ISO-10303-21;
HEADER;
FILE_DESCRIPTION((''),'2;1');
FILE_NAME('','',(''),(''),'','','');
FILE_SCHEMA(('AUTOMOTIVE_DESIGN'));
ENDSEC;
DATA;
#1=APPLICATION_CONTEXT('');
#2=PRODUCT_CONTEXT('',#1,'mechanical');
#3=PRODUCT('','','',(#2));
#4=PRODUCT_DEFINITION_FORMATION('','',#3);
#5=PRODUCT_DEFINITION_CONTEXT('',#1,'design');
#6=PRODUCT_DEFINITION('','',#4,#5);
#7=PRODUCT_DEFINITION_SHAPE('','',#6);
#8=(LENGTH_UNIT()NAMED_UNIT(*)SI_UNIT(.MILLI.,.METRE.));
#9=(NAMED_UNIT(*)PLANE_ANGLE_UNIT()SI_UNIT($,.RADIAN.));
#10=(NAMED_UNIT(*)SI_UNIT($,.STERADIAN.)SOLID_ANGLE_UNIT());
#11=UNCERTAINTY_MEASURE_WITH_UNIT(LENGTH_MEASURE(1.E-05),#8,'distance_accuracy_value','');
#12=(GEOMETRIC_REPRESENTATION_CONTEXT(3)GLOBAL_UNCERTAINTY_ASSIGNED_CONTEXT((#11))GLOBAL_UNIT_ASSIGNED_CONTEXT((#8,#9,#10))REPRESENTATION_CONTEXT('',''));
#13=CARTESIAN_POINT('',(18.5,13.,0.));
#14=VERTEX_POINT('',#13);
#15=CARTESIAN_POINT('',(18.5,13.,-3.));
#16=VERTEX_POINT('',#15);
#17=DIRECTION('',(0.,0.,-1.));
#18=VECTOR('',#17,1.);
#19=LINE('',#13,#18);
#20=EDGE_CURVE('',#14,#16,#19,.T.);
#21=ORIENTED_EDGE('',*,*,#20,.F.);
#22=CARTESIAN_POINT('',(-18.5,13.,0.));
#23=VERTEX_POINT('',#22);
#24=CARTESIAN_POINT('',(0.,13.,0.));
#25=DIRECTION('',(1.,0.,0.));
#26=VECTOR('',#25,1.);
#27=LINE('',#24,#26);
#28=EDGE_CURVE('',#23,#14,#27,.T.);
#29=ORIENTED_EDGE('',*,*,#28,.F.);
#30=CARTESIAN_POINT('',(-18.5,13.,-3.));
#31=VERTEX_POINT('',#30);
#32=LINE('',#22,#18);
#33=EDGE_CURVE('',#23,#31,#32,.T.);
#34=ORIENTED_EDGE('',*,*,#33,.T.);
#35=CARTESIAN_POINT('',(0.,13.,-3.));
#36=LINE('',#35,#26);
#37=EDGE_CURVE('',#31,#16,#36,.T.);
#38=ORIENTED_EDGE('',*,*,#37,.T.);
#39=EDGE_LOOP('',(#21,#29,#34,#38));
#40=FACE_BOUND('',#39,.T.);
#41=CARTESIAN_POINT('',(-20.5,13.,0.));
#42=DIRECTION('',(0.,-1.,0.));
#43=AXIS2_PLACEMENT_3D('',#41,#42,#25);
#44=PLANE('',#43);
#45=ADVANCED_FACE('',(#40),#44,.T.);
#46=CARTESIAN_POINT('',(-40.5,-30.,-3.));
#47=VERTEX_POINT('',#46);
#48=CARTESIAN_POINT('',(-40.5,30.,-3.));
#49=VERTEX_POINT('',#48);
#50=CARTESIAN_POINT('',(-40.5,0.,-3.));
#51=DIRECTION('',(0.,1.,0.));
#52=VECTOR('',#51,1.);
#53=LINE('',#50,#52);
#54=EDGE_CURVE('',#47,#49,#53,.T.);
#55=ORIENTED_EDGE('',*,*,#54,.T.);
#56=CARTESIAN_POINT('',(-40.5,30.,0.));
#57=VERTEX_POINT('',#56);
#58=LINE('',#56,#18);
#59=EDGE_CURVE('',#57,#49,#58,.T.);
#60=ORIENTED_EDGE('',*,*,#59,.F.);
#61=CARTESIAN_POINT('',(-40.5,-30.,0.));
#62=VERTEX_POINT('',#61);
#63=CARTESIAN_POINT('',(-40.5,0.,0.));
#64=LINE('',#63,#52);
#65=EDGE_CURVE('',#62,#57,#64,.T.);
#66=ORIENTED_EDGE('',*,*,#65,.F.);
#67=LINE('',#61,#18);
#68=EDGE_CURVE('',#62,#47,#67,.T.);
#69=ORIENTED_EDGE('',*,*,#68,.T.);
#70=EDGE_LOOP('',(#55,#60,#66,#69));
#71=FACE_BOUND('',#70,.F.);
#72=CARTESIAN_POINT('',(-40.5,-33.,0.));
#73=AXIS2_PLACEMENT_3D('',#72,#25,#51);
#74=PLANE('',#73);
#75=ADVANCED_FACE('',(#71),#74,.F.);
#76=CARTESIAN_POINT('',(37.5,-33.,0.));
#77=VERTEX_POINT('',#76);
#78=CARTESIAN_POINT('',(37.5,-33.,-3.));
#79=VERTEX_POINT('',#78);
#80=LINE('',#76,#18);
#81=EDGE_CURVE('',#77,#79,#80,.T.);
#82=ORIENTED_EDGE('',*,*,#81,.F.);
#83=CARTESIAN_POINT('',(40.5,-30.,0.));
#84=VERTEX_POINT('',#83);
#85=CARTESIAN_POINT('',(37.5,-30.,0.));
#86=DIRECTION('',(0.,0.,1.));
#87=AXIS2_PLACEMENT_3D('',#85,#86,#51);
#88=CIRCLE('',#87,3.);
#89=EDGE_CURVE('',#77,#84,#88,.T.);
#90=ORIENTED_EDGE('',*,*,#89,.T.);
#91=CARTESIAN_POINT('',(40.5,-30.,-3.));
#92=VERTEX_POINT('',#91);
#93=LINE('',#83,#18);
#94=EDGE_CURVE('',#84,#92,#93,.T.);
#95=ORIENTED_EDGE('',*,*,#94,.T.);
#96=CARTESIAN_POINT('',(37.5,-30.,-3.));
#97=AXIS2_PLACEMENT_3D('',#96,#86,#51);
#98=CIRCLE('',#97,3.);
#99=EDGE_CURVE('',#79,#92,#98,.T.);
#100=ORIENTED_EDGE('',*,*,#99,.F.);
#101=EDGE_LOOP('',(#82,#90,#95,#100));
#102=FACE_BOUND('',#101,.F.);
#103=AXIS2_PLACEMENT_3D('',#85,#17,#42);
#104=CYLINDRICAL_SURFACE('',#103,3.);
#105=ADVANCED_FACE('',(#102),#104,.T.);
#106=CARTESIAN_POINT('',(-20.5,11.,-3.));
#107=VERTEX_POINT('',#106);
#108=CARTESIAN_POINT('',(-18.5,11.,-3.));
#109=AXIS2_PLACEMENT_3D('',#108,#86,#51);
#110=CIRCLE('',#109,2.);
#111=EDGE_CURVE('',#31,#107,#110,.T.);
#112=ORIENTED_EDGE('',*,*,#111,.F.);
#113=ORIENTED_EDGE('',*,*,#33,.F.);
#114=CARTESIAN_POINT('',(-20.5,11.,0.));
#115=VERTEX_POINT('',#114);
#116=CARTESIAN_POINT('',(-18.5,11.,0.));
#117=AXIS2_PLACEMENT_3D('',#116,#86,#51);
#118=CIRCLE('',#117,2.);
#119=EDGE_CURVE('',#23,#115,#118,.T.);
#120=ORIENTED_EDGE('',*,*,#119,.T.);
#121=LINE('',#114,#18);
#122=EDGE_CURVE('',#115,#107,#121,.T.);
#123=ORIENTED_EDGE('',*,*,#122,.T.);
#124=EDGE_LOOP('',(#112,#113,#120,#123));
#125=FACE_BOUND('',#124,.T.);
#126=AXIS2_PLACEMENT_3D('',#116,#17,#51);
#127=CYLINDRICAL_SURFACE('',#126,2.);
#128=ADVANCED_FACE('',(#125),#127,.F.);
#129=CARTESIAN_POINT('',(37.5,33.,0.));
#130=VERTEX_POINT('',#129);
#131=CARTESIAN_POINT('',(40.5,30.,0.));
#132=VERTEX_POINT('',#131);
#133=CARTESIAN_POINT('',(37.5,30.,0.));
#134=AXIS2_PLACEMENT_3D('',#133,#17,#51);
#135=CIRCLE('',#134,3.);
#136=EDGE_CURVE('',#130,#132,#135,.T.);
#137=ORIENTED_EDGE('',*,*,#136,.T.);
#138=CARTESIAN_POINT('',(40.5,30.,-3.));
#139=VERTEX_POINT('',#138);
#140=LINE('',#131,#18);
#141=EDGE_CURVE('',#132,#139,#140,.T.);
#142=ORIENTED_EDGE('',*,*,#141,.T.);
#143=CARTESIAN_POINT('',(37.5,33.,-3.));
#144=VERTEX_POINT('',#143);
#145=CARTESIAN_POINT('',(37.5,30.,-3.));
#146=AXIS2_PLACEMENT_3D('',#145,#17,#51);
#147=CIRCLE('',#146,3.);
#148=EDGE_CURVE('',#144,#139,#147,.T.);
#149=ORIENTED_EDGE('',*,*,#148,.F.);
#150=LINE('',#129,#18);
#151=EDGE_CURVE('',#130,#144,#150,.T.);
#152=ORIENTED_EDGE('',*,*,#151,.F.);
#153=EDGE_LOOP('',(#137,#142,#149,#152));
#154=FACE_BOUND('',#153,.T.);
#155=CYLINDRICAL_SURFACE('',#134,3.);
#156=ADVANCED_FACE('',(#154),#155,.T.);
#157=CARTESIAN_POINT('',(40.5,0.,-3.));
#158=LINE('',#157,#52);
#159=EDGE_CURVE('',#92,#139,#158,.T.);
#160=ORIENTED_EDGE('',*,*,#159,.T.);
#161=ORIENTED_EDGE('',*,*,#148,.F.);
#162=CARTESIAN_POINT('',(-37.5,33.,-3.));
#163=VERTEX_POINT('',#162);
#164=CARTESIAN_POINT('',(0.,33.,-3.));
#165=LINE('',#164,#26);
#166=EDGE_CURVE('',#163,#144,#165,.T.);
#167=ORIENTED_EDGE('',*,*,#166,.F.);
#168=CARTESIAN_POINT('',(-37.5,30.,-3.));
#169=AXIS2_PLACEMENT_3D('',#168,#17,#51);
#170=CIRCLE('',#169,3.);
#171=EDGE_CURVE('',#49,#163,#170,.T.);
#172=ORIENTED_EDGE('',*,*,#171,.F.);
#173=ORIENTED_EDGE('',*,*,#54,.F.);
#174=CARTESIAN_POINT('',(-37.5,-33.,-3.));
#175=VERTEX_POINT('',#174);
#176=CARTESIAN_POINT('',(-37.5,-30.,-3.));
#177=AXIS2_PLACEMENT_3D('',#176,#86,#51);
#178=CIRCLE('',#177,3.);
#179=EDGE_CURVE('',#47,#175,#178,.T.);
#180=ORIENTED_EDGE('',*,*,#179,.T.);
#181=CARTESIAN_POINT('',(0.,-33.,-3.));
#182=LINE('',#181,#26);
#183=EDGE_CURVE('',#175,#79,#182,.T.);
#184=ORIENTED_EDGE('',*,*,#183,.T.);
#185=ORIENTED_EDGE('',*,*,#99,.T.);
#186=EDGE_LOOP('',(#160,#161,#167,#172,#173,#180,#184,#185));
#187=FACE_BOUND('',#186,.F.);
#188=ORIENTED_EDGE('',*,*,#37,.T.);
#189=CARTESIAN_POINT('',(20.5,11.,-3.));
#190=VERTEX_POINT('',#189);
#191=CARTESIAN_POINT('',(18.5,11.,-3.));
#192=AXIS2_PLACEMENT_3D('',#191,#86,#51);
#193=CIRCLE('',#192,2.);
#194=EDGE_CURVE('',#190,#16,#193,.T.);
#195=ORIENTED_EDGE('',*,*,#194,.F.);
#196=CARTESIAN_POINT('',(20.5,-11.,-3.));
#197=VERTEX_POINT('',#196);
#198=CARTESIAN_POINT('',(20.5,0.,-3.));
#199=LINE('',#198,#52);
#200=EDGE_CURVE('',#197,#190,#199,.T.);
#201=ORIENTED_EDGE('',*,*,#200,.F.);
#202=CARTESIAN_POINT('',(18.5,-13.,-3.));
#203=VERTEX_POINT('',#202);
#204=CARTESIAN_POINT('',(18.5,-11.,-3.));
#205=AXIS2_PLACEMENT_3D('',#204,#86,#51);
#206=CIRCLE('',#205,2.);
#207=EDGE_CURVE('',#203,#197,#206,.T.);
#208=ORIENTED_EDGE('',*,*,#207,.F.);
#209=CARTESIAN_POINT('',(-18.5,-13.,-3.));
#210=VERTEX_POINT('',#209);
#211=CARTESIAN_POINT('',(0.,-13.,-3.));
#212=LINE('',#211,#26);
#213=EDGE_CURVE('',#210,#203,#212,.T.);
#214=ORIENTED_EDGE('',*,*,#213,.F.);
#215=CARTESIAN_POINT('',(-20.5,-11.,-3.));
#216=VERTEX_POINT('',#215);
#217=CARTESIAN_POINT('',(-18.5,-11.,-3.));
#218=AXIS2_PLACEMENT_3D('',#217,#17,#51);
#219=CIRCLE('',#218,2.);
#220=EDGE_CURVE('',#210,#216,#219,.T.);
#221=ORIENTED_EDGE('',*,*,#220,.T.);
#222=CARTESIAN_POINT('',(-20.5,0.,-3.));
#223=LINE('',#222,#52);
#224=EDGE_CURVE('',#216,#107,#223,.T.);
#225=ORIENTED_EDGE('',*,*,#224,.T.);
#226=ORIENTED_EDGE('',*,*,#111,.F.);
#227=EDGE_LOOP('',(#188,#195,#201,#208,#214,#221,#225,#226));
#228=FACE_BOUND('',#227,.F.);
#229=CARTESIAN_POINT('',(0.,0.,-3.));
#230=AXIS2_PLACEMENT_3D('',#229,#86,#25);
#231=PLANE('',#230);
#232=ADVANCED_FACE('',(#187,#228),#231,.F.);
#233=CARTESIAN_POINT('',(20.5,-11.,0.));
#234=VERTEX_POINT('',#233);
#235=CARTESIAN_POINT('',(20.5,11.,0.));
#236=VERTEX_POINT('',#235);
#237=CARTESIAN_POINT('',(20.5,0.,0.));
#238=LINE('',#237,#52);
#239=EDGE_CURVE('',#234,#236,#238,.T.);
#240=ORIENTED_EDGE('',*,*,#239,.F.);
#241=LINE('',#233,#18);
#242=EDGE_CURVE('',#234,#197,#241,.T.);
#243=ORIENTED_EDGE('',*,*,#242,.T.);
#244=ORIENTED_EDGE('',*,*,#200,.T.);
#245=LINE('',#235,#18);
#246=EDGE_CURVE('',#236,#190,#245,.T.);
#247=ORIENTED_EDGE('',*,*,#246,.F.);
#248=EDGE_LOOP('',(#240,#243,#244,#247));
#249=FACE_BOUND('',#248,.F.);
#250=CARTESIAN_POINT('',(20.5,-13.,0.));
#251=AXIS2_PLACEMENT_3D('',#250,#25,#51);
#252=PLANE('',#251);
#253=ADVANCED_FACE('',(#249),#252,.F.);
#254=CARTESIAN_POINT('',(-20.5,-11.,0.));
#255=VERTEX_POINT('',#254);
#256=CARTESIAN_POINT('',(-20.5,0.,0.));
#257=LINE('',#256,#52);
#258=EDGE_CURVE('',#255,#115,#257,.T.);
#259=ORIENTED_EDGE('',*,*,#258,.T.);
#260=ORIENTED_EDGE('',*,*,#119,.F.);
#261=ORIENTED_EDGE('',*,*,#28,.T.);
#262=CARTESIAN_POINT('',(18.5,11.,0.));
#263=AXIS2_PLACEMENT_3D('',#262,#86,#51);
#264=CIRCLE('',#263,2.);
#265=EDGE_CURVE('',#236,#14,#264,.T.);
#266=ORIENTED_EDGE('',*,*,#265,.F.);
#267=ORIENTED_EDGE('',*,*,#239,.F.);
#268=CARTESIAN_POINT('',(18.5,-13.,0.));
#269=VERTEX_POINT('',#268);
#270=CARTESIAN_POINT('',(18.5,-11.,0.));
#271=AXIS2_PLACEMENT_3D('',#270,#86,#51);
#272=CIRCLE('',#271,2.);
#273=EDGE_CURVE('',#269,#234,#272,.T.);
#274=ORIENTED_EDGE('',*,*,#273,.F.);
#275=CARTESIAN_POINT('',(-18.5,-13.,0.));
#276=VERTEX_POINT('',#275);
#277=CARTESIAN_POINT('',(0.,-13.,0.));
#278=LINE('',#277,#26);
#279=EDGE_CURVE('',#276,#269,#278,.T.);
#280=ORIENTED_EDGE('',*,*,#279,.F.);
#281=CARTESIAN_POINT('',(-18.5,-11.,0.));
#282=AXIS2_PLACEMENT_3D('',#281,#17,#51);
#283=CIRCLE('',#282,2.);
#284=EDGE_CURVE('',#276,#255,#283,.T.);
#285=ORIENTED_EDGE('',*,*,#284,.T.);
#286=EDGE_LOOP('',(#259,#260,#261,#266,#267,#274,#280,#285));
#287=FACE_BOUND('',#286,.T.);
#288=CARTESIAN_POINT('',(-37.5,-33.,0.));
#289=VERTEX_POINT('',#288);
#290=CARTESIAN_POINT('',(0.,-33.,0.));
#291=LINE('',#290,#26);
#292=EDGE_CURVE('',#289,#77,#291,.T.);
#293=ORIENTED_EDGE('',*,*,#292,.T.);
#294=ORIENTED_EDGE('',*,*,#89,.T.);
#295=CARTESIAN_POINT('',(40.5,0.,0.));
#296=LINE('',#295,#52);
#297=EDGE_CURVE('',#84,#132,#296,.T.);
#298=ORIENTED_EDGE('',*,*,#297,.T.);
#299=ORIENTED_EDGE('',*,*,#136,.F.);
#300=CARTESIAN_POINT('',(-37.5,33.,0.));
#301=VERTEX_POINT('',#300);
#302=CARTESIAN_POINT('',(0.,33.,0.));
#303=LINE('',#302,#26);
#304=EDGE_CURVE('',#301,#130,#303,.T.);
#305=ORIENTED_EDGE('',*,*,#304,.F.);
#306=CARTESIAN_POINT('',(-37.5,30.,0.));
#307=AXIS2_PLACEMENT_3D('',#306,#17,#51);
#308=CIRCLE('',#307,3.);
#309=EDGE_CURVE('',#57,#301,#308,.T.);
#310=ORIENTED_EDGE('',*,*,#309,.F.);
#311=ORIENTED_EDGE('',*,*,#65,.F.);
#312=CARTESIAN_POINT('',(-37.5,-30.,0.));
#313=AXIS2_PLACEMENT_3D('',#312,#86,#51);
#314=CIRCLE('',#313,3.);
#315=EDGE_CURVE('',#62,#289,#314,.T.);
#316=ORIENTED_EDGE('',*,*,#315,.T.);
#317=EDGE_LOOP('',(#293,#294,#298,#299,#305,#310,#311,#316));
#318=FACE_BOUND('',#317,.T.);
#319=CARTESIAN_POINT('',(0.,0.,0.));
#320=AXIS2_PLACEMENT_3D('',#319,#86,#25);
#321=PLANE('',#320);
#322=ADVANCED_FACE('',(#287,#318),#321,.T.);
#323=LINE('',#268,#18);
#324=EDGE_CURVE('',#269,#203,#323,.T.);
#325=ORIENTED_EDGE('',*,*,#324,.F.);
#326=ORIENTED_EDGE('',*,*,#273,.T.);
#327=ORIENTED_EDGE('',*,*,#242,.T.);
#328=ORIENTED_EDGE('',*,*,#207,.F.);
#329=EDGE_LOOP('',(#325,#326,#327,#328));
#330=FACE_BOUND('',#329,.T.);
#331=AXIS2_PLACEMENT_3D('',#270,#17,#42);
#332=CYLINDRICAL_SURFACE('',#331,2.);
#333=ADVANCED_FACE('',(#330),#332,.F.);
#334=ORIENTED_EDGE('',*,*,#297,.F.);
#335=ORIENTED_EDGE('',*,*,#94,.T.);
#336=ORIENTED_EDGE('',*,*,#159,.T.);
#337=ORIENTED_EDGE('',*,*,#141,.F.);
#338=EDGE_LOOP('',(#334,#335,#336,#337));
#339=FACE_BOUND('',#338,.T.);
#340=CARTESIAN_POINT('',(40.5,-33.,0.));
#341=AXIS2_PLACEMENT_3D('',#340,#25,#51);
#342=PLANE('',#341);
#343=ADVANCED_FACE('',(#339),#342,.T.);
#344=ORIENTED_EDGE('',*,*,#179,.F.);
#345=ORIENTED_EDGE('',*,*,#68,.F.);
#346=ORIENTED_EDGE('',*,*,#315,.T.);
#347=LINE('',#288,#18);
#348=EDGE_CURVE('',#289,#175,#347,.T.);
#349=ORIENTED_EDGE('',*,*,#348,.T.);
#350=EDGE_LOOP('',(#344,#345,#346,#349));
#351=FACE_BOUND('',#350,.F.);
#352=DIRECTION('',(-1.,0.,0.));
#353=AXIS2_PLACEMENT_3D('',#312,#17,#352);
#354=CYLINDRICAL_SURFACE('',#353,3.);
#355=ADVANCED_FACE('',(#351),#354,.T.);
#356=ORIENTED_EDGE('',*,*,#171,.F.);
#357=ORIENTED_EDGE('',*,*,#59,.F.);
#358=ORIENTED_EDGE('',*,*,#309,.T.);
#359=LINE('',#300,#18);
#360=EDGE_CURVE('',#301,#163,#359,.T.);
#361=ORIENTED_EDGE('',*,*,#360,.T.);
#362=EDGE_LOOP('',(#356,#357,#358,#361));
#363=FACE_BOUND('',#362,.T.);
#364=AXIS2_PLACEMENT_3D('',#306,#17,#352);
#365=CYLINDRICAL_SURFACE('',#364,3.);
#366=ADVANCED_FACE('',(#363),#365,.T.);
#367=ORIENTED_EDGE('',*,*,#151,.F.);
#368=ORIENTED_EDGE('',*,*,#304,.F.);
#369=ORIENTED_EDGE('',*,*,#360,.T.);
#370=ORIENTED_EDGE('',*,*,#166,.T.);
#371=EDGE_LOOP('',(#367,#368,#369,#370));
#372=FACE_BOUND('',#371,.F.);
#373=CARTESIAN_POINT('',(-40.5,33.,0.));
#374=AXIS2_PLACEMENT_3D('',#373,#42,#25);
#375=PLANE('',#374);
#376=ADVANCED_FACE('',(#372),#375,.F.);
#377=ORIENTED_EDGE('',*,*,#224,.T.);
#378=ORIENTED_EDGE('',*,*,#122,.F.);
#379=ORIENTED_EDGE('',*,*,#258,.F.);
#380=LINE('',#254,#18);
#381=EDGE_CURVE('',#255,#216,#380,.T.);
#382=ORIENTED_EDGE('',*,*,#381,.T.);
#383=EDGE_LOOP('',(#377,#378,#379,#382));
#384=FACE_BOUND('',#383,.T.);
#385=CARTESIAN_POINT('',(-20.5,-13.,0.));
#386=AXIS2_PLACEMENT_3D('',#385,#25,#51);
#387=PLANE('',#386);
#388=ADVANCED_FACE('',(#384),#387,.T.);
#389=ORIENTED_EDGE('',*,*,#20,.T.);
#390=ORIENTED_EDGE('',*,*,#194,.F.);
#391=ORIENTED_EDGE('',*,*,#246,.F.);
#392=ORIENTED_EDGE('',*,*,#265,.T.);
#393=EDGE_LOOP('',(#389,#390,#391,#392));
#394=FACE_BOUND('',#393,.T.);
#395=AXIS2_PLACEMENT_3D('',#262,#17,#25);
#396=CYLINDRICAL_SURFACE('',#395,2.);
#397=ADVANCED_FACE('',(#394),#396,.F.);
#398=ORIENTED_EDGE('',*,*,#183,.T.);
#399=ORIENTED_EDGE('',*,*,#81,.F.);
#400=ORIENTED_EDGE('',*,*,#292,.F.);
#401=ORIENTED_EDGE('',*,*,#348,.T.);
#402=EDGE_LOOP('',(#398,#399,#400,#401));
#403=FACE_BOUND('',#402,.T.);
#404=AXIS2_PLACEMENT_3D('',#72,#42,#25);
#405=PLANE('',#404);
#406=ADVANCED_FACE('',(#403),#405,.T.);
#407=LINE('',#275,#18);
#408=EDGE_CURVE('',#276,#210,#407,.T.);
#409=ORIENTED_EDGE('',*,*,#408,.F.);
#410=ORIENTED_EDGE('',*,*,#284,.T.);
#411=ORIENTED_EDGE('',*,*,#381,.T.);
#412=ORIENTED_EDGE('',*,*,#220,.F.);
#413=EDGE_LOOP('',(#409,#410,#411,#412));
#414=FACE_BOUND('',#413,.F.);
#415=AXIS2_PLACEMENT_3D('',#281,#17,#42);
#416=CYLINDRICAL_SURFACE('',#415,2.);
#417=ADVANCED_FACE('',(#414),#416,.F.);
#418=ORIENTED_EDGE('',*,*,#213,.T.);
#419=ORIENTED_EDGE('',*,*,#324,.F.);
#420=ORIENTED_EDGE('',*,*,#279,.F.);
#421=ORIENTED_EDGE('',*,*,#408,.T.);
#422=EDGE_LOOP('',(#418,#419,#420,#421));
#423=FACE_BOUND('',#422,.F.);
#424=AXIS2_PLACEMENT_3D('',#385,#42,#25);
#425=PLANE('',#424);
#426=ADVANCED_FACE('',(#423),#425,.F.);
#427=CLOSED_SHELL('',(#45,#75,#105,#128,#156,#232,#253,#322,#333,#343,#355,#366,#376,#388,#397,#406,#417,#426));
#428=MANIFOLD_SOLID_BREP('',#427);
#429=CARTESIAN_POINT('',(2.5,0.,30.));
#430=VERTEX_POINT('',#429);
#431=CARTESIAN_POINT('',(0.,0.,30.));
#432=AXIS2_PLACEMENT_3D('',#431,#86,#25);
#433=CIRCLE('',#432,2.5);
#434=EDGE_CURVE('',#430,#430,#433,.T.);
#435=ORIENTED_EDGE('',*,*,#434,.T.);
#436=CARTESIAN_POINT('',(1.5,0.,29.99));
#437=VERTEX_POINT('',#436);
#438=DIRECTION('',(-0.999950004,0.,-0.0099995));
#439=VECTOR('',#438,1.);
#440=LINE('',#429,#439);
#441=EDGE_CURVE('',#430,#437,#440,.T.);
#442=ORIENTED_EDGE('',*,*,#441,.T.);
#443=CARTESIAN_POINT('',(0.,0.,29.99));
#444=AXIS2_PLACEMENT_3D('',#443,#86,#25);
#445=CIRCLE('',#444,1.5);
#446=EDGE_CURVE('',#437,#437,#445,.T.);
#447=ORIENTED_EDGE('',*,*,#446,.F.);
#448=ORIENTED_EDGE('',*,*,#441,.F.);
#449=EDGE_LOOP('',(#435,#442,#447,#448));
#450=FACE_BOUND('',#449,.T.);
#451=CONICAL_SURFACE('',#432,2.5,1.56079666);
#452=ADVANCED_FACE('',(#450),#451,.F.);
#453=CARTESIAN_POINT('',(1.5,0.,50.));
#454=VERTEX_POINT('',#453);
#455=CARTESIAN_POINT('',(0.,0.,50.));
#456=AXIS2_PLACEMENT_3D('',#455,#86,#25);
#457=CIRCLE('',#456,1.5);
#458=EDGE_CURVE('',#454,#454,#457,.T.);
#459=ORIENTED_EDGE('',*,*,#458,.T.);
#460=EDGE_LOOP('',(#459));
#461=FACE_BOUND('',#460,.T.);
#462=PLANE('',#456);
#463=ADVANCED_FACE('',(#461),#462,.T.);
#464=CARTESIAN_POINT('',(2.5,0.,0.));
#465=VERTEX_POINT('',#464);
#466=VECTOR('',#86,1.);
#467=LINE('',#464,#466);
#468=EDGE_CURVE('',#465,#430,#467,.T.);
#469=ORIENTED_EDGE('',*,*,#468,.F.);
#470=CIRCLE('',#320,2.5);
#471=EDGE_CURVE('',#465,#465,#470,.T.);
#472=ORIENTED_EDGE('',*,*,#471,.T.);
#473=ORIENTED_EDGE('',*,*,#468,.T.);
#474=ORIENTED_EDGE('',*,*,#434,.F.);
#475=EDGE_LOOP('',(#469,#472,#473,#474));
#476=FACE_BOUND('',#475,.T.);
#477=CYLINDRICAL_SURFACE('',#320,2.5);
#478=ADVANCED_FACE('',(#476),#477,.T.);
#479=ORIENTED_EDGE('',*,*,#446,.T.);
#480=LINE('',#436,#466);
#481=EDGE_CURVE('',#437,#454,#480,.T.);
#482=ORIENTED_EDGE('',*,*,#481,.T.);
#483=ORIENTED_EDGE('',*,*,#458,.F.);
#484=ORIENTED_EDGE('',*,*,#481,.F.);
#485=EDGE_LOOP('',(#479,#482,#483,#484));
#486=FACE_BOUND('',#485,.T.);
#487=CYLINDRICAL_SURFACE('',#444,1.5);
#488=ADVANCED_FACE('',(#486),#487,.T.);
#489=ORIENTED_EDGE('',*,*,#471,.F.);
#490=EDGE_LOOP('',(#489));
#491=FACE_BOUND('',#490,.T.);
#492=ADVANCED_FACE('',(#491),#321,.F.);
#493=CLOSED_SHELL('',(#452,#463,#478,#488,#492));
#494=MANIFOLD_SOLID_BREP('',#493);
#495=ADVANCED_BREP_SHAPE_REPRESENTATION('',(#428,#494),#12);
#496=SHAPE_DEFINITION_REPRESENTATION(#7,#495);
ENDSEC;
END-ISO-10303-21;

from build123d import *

# Parameters (mm, degrees)
SKETCH_W    = 81
SKETCH_H    = 66
SKETCH_W_2  = 41
SKETCH_H_2  = 26
PAD_DEPTH   = 3
FILLET_R    = 3
FILLET001_R = 2


with BuildPart() as body:
    # Sketch (on XY_Plane of Origin) → Pad (new body)
    with BuildSketch(Plane.XY):
        Rectangle(SKETCH_W, SKETCH_H)
        Rectangle(SKETCH_W_2, SKETCH_H_2, mode=Mode.SUBTRACT)
    extrude(amount=-PAD_DEPTH)

    # Fillet
    fillet_edges = [body.edges().sort_by_distance(p)[0] for p in [
        (40.5, -33, -1.5),
        (-40.5, -33, -1.5),
        (40.5, 33, -1.5),
        (-40.5, 33, -1.5),
    ]]
    fillet(fillet_edges, radius=FILLET_R)

    # Fillet001
    fillet001_edges = [body.edges().sort_by_distance(p)[0] for p in [
        (20.5, -13, -1.5),
        (-20.5, -13, -1.5),
        (-20.5, 13, -1.5),
        (20.5, 13, -1.5),
    ]]
    fillet(fillet001_edges, radius=FILLET001_R)


with BuildPart() as endmill003:
    # Sketch003 → Revolution (revolve)
    with BuildSketch(Plane.XZ):
        Polygon((0, 50), (0, 0), (2.5, 0), (2.5, 30), (1.5, 29.99), (1.5, 50), align=None)
    revolve(axis=Axis((0, 0, 0), (0, 0, 1)))


solid = Compound([body.part, endmill003.part])
